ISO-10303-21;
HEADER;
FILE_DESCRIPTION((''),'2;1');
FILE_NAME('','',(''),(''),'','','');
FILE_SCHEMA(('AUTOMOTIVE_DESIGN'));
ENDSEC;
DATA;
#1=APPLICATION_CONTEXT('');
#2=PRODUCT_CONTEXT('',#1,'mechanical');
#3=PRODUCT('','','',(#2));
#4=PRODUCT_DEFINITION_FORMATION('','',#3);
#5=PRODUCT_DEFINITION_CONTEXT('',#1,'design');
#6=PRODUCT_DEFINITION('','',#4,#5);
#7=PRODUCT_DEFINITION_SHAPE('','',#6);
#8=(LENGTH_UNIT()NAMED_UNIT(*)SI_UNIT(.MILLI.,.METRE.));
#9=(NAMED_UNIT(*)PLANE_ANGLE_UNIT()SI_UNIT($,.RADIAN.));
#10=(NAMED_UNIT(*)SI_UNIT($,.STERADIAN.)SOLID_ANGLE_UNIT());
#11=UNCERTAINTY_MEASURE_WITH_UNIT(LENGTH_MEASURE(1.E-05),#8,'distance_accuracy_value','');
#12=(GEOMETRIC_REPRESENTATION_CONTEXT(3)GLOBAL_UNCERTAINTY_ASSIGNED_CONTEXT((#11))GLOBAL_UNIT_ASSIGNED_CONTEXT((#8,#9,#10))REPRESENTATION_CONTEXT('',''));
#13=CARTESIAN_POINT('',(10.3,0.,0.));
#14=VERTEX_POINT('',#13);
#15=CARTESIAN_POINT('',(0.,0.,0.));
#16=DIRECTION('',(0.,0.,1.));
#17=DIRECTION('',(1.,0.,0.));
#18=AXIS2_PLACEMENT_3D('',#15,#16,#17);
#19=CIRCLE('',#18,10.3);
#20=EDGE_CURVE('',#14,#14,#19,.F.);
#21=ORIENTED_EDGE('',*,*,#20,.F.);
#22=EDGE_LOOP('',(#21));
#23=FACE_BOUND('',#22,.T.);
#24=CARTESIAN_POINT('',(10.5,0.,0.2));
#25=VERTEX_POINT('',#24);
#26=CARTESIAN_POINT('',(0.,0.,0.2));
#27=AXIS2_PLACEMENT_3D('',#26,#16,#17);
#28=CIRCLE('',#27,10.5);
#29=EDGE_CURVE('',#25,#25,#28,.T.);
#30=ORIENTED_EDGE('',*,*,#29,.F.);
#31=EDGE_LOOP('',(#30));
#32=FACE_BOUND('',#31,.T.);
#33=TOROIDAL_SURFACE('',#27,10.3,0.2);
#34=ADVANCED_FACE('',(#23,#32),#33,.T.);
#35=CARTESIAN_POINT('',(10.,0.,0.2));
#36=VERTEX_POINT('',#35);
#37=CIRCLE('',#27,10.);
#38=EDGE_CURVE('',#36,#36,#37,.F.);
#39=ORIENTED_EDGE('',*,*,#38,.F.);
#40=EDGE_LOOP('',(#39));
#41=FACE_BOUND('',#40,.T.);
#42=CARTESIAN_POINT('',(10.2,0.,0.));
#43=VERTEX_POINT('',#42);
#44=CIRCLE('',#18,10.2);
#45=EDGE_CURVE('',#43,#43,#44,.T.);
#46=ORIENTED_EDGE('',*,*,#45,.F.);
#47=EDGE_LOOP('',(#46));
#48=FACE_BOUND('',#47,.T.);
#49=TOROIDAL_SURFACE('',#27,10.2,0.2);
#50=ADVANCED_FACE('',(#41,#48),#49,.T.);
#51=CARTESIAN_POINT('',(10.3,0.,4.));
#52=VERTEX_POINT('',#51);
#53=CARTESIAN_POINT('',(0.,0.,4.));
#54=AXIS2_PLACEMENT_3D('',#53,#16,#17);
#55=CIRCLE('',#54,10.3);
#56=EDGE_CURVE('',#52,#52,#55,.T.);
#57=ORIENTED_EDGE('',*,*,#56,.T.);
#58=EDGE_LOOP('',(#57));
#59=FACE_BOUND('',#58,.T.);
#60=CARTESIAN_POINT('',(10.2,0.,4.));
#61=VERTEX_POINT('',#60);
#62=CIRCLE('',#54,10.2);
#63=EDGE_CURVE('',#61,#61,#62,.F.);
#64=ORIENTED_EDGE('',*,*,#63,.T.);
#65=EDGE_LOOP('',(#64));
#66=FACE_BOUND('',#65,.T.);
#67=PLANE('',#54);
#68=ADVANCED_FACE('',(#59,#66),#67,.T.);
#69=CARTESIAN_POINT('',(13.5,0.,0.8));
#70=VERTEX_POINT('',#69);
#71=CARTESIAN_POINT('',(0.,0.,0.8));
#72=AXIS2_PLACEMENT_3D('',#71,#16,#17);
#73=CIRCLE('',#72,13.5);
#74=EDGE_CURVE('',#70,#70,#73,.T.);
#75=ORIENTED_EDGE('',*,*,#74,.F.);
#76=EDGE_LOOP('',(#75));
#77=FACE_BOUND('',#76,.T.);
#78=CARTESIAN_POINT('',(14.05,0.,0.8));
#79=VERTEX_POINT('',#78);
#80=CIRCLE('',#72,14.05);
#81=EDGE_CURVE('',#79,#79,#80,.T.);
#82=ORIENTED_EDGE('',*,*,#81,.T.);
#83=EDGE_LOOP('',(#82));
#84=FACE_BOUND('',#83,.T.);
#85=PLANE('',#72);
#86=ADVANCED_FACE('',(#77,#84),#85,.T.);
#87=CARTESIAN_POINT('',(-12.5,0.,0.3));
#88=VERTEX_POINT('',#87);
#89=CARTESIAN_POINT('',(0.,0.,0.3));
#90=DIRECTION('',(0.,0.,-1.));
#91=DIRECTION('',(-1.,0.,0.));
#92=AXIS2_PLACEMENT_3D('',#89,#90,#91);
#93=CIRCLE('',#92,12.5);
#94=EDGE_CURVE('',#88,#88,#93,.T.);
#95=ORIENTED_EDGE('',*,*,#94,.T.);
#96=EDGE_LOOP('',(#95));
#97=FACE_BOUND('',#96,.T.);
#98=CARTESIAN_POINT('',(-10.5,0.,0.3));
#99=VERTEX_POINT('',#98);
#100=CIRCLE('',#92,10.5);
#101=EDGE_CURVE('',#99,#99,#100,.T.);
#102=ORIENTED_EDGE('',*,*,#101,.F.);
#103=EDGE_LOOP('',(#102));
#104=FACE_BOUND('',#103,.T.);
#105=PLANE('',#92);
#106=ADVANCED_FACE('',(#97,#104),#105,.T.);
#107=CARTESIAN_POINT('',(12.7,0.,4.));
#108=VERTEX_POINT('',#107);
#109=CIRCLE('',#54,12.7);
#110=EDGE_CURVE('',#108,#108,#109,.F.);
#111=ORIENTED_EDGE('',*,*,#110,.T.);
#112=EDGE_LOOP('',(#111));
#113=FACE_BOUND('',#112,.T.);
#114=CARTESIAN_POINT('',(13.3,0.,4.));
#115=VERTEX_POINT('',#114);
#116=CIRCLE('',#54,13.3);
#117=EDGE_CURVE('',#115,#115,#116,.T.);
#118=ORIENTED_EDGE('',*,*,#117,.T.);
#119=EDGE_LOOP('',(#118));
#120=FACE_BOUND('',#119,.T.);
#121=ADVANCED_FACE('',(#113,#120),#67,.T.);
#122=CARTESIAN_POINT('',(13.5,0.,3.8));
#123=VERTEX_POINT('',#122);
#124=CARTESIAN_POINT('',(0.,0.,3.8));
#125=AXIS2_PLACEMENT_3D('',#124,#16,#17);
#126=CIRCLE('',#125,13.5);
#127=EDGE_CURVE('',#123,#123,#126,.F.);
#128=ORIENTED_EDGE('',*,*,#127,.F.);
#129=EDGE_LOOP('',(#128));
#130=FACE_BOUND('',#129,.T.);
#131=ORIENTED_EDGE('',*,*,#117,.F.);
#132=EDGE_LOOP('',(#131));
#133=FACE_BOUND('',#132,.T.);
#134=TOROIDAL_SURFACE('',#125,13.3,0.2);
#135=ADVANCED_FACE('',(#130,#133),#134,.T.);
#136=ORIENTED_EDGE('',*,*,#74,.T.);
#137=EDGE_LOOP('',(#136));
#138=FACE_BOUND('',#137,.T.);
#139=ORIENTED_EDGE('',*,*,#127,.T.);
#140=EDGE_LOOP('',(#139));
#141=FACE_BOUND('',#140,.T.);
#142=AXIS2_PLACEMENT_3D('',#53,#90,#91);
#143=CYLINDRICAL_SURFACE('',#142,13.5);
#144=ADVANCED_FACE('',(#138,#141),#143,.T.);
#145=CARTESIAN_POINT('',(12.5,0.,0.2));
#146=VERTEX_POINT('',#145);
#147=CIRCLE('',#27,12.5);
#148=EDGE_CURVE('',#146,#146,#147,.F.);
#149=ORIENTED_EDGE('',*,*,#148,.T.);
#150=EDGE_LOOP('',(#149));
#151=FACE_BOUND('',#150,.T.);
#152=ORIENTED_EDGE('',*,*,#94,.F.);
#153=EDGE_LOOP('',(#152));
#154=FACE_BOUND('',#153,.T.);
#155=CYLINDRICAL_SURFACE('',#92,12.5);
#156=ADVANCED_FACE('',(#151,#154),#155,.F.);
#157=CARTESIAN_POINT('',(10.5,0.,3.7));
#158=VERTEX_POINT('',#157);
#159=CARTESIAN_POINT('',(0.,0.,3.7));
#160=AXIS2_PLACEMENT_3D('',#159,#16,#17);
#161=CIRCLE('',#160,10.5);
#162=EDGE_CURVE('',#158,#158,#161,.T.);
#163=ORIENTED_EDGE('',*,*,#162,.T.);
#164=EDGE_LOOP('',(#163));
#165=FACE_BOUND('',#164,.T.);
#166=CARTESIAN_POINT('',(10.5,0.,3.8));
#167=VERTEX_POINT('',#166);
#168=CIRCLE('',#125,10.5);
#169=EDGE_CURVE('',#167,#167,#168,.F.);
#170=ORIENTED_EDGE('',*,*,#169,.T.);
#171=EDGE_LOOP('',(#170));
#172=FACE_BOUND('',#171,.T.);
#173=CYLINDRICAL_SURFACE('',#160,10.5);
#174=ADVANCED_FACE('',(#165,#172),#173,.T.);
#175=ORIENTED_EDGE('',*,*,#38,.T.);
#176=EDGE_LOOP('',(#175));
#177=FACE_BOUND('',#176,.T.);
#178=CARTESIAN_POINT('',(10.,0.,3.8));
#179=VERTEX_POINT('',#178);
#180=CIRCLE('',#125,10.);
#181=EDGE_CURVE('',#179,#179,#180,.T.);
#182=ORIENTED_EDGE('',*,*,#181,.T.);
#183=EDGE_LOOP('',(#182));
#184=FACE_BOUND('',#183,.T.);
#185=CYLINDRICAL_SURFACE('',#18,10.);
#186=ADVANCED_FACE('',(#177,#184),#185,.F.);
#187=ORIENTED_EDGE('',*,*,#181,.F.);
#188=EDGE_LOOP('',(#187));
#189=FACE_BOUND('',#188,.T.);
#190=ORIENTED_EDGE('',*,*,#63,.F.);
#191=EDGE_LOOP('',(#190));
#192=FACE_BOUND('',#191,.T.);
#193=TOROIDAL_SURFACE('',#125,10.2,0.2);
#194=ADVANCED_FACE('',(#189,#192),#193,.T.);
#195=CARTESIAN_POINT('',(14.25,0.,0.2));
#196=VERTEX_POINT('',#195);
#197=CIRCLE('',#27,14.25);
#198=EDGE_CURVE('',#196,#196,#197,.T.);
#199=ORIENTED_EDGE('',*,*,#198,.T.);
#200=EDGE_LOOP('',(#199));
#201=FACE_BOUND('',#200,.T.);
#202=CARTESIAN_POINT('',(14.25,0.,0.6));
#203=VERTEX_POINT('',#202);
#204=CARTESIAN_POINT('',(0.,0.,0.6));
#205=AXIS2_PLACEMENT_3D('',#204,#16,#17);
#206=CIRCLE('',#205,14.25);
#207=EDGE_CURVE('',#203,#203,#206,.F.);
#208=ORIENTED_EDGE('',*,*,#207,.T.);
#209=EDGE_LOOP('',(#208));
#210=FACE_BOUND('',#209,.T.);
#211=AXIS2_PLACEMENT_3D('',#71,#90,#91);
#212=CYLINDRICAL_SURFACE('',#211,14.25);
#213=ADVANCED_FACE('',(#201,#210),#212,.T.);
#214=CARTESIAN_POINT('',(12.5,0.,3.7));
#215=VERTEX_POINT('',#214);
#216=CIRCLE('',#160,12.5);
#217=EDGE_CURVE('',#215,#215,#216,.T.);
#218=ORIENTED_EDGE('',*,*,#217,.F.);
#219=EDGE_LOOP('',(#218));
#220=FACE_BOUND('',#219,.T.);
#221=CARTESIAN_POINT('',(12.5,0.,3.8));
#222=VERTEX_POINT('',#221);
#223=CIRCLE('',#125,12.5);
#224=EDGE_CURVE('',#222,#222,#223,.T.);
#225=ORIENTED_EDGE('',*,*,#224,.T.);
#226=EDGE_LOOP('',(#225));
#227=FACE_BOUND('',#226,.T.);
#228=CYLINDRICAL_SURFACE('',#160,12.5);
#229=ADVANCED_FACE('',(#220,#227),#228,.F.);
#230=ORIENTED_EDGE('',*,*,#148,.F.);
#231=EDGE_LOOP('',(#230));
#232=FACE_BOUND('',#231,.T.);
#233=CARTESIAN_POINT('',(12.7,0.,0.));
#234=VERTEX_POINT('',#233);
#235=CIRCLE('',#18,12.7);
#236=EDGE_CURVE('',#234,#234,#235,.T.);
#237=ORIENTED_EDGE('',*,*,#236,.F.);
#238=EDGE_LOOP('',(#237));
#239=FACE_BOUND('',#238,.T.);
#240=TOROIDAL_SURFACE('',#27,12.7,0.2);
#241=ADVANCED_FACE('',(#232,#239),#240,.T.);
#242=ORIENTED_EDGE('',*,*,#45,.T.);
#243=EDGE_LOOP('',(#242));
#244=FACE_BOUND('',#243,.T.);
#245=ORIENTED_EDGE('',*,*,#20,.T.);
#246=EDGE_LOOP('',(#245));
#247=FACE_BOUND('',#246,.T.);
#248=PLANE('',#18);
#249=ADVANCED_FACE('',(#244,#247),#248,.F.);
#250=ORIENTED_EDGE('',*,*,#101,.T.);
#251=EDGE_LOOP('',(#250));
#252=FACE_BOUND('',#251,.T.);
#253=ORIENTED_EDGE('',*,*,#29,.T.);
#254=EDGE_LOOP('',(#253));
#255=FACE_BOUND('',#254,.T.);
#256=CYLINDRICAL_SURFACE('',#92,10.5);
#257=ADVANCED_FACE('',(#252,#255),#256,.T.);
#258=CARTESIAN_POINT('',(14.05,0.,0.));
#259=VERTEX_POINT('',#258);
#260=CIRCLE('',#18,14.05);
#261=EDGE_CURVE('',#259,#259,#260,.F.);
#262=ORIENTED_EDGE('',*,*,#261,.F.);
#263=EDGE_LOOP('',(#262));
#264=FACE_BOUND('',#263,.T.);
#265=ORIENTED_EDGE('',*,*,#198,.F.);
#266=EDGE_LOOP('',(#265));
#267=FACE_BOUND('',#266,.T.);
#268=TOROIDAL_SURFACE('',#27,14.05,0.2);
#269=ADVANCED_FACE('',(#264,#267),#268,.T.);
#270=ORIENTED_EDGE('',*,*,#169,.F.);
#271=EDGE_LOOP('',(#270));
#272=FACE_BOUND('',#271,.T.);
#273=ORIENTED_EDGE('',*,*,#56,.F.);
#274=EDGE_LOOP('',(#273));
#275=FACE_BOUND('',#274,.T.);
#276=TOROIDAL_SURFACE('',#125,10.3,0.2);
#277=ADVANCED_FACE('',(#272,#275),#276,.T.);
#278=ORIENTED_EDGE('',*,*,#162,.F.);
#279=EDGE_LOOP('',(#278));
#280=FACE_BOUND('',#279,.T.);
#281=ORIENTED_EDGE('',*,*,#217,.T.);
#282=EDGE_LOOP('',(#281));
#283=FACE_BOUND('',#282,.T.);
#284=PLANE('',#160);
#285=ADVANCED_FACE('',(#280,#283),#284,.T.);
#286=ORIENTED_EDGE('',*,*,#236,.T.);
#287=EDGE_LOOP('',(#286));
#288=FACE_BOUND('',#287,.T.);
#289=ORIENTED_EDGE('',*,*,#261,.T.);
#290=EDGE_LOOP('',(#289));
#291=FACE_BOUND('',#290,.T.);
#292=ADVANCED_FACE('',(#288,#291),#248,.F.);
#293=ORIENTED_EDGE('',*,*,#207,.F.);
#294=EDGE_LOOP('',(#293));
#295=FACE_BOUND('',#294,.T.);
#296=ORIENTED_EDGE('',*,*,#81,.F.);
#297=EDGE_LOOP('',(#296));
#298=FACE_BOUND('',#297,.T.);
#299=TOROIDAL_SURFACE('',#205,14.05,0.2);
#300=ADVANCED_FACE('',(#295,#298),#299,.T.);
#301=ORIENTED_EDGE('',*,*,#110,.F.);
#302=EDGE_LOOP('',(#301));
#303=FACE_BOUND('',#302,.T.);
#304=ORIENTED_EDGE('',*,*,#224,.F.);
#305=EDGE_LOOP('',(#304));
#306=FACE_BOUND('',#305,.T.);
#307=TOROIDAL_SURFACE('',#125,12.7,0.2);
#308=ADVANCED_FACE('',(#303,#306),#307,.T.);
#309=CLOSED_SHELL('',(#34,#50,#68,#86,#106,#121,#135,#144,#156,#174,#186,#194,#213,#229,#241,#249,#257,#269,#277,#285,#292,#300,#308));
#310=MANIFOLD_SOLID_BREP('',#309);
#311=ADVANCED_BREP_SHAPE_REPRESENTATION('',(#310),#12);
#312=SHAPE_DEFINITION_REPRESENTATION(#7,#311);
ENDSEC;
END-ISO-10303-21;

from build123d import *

# Parameters (mm, degrees)
SKETCH1_R          = 14.25
EXTRUDE1_DEPTH     = 0.8
SKETCH2_R          = 13.5
EXTRUDE2_DEPTH     = 3.2
SKETCH3_R          = 10
CUT_EXTRUDE1_DEPTH = 21.545680811
SKETCH4_R          = 12.5
SKETCH4_R_2        = 10.5
CUT_EXTRUDE2_DEPTH = 0.3
CUT_EXTRUDE3_START = -0.3
SKETCH5_R          = 12.5
SKETCH5_R_2        = 10.5
CUT_EXTRUDE3_DEPTH = 0.3
FILLET1_R          = 0.2


with BuildPart() as part:
    # Sketch1 → Extrude1 (new body)
    with BuildSketch(Plane.XY):
        Circle(SKETCH1_R)
    extrude(amount=EXTRUDE1_DEPTH)

    # Sketch2 → Extrude2 (add)
    with BuildSketch(Plane.XY.offset(0.8)):
        Circle(SKETCH2_R)
    extrude(amount=EXTRUDE2_DEPTH)

    # Sketch3 → Cut-Extrude1 (cut, through all)
    with BuildSketch(Plane.XY.offset(4)):
        Circle(SKETCH3_R)
    extrude(amount=-CUT_EXTRUDE1_DEPTH, mode=Mode.SUBTRACT)

    # Sketch4 → Cut-Extrude2 (cut)
    with BuildSketch(Plane.XY.offset(4)):
        Circle(SKETCH4_R)
        Circle(SKETCH4_R_2, mode=Mode.SUBTRACT)
    extrude(amount=-CUT_EXTRUDE2_DEPTH, mode=Mode.SUBTRACT)

    # Sketch5 → Cut-Extrude3 (cut)
    with BuildSketch(Plane(origin=(0, 0, 0), x_dir=(-1, 0, 0), z_dir=(0, 0, -1)).offset(CUT_EXTRUDE3_START)):
        with Locations(Location((0, 0, 0), (0, 0, 180))):
            Circle(SKETCH5_R)
        with Locations(Location((0, 0, 0), (0, 0, 180))):
            Circle(SKETCH5_R_2, mode=Mode.SUBTRACT)
    extrude(amount=CUT_EXTRUDE3_DEPTH, mode=Mode.SUBTRACT)

    # Fillet1
    fillet1_edges = [part.edges().sort_by_distance(p)[0] for p in [
        (-10, 0, 0),
        (-10, 0, 4),
        (-12.5, 0, 4),
        (-10.5, 0, 4),
        (-14.25, 0, 0),
        (-12.5, 0, 0),
        (-10.5, 0, 0),
        (-14.25, 0, 0.8),
        (-13.5, 0, 4),
    ]]
    fillet(fillet1_edges, radius=FILLET1_R)


solid = part.part
